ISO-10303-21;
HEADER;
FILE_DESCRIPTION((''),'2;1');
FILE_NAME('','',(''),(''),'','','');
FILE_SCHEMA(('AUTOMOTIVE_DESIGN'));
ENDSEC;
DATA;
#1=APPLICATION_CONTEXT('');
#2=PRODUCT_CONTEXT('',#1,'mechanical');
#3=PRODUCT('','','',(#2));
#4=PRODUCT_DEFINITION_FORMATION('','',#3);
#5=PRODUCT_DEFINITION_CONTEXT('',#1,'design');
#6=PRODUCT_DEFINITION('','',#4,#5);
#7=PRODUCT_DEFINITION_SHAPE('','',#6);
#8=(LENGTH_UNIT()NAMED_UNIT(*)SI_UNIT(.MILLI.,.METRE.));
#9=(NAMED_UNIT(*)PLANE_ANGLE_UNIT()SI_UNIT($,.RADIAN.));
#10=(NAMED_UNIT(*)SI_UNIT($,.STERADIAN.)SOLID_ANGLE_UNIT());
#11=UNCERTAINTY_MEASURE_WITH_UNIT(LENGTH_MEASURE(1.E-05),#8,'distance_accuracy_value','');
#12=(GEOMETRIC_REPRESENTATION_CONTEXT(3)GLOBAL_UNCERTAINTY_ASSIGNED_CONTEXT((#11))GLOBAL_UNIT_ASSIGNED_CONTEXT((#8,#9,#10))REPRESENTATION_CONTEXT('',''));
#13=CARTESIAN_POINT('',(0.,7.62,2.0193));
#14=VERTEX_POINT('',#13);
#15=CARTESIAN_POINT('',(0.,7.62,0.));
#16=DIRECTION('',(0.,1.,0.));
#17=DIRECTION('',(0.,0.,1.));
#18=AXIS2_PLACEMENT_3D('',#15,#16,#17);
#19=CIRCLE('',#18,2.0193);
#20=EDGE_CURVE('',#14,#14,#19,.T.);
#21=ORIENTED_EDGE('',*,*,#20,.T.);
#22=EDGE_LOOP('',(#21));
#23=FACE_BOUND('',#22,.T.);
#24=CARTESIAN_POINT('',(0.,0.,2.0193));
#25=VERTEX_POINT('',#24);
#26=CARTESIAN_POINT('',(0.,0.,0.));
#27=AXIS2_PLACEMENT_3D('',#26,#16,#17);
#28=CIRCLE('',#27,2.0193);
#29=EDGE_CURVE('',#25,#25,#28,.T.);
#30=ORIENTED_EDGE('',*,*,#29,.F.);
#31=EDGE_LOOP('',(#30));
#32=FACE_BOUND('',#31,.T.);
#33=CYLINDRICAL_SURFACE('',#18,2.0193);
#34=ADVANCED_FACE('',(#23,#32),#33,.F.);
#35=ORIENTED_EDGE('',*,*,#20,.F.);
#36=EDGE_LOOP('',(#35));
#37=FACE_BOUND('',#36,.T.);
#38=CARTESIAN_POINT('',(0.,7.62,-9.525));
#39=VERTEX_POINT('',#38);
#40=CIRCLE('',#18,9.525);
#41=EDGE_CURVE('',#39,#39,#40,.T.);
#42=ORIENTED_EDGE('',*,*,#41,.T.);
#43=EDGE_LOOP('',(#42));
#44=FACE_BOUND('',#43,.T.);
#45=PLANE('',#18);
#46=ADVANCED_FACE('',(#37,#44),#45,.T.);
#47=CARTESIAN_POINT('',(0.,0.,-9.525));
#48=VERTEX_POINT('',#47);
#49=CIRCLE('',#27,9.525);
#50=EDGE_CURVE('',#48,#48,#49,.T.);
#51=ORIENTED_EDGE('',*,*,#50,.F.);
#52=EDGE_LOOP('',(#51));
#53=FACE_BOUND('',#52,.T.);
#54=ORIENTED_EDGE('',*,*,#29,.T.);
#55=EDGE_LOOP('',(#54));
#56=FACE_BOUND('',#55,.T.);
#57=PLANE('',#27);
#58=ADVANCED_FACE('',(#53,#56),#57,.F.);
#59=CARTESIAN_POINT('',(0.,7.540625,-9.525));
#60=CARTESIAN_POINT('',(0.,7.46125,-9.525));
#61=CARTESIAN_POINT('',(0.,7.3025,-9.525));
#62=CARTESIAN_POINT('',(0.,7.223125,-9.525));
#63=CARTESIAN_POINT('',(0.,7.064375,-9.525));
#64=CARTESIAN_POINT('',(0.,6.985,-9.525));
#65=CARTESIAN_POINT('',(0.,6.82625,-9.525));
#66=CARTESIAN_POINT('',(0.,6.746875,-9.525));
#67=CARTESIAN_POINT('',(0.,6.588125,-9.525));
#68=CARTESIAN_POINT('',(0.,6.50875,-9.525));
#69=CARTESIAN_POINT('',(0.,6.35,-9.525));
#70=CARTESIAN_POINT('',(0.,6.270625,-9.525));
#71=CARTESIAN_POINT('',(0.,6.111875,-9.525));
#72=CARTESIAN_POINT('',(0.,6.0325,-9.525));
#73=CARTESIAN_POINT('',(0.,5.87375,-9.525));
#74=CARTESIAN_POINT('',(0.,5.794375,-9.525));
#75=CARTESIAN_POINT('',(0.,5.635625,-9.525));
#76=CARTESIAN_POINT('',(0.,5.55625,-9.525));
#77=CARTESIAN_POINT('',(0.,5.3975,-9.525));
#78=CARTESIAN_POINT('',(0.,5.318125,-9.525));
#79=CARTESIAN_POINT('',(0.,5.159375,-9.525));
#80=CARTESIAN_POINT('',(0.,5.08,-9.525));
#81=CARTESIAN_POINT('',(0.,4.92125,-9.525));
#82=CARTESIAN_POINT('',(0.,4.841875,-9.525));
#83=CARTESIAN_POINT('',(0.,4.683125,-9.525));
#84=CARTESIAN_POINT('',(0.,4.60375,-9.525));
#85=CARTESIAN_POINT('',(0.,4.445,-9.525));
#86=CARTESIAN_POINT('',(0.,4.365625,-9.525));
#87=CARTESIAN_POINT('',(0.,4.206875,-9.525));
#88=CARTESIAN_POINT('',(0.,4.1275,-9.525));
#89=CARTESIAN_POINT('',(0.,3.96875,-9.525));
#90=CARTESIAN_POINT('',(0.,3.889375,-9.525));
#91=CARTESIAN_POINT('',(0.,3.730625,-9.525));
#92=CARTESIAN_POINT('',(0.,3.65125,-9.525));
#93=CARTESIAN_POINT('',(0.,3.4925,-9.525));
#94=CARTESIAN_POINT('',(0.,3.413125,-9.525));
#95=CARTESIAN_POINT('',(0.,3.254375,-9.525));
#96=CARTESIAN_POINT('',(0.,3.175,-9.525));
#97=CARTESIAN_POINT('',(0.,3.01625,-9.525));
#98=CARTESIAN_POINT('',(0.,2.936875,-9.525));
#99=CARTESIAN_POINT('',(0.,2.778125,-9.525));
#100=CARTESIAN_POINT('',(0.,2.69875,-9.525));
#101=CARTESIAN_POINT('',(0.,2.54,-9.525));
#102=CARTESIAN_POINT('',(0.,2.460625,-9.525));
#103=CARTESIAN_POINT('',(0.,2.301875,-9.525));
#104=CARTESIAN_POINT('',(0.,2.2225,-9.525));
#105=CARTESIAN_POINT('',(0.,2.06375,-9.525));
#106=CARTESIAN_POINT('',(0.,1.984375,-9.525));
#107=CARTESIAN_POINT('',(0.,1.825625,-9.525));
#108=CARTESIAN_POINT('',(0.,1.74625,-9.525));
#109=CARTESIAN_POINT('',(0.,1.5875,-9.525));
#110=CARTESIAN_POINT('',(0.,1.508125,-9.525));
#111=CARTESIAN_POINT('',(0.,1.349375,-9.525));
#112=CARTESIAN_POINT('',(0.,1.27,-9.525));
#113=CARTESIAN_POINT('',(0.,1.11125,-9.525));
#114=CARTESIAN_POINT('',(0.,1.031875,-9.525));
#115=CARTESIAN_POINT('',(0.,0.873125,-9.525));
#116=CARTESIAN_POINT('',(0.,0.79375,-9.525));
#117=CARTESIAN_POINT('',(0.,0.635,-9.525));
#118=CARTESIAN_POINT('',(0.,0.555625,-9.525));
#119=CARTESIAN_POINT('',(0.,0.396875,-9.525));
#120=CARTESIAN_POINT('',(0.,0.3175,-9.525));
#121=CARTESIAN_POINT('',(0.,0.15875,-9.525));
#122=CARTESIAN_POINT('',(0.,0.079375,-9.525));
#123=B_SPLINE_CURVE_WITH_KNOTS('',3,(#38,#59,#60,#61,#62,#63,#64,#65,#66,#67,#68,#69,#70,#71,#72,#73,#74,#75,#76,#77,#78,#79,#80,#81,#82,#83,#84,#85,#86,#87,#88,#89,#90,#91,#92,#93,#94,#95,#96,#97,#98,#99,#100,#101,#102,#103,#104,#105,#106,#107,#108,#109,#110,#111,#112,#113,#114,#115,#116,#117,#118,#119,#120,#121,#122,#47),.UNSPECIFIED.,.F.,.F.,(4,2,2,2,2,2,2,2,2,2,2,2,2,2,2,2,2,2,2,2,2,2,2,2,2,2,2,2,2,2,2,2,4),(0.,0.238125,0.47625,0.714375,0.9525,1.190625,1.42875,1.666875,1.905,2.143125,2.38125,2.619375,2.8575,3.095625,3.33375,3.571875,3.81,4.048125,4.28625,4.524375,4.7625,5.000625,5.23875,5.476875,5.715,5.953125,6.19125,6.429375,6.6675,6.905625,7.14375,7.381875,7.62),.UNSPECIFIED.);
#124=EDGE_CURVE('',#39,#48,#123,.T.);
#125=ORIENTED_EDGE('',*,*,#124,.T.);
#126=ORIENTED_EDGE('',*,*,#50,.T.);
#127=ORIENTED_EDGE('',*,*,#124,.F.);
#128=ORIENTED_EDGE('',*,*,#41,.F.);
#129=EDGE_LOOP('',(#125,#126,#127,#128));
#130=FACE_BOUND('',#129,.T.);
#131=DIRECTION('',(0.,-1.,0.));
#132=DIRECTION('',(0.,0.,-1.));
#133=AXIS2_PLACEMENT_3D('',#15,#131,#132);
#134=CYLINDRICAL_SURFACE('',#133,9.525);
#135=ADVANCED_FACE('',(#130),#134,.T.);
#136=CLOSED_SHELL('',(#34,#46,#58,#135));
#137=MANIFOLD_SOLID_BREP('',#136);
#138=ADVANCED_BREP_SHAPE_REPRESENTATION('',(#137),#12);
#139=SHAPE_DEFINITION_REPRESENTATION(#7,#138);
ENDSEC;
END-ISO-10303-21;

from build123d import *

# Parameters (mm, degrees)
SKETCH1_R            = 9.525
STOCK_DEPTH          = 7.62
ALIGNMENT_PIN_HOLE_D = 4.0386


with BuildPart() as part:
    # Sketch1 → Stock (new body)
    with BuildSketch(Plane(origin=(0, 0, 0), x_dir=(1, 0, 0), z_dir=(0, 1, 0))):
        with Locations(Location((0, 0, 0), (0, 0, 90))):
            Circle(SKETCH1_R)
    extrude(amount=STOCK_DEPTH)

    # Alignment Pin Hole (through all)
    with Locations(Plane(origin=(0, 7.62, 0), x_dir=(1, 0, 0), z_dir=(0, 1, 0))):
        with Locations((0, 0)):
            Hole(ALIGNMENT_PIN_HOLE_D / 2)


solid = part.part
